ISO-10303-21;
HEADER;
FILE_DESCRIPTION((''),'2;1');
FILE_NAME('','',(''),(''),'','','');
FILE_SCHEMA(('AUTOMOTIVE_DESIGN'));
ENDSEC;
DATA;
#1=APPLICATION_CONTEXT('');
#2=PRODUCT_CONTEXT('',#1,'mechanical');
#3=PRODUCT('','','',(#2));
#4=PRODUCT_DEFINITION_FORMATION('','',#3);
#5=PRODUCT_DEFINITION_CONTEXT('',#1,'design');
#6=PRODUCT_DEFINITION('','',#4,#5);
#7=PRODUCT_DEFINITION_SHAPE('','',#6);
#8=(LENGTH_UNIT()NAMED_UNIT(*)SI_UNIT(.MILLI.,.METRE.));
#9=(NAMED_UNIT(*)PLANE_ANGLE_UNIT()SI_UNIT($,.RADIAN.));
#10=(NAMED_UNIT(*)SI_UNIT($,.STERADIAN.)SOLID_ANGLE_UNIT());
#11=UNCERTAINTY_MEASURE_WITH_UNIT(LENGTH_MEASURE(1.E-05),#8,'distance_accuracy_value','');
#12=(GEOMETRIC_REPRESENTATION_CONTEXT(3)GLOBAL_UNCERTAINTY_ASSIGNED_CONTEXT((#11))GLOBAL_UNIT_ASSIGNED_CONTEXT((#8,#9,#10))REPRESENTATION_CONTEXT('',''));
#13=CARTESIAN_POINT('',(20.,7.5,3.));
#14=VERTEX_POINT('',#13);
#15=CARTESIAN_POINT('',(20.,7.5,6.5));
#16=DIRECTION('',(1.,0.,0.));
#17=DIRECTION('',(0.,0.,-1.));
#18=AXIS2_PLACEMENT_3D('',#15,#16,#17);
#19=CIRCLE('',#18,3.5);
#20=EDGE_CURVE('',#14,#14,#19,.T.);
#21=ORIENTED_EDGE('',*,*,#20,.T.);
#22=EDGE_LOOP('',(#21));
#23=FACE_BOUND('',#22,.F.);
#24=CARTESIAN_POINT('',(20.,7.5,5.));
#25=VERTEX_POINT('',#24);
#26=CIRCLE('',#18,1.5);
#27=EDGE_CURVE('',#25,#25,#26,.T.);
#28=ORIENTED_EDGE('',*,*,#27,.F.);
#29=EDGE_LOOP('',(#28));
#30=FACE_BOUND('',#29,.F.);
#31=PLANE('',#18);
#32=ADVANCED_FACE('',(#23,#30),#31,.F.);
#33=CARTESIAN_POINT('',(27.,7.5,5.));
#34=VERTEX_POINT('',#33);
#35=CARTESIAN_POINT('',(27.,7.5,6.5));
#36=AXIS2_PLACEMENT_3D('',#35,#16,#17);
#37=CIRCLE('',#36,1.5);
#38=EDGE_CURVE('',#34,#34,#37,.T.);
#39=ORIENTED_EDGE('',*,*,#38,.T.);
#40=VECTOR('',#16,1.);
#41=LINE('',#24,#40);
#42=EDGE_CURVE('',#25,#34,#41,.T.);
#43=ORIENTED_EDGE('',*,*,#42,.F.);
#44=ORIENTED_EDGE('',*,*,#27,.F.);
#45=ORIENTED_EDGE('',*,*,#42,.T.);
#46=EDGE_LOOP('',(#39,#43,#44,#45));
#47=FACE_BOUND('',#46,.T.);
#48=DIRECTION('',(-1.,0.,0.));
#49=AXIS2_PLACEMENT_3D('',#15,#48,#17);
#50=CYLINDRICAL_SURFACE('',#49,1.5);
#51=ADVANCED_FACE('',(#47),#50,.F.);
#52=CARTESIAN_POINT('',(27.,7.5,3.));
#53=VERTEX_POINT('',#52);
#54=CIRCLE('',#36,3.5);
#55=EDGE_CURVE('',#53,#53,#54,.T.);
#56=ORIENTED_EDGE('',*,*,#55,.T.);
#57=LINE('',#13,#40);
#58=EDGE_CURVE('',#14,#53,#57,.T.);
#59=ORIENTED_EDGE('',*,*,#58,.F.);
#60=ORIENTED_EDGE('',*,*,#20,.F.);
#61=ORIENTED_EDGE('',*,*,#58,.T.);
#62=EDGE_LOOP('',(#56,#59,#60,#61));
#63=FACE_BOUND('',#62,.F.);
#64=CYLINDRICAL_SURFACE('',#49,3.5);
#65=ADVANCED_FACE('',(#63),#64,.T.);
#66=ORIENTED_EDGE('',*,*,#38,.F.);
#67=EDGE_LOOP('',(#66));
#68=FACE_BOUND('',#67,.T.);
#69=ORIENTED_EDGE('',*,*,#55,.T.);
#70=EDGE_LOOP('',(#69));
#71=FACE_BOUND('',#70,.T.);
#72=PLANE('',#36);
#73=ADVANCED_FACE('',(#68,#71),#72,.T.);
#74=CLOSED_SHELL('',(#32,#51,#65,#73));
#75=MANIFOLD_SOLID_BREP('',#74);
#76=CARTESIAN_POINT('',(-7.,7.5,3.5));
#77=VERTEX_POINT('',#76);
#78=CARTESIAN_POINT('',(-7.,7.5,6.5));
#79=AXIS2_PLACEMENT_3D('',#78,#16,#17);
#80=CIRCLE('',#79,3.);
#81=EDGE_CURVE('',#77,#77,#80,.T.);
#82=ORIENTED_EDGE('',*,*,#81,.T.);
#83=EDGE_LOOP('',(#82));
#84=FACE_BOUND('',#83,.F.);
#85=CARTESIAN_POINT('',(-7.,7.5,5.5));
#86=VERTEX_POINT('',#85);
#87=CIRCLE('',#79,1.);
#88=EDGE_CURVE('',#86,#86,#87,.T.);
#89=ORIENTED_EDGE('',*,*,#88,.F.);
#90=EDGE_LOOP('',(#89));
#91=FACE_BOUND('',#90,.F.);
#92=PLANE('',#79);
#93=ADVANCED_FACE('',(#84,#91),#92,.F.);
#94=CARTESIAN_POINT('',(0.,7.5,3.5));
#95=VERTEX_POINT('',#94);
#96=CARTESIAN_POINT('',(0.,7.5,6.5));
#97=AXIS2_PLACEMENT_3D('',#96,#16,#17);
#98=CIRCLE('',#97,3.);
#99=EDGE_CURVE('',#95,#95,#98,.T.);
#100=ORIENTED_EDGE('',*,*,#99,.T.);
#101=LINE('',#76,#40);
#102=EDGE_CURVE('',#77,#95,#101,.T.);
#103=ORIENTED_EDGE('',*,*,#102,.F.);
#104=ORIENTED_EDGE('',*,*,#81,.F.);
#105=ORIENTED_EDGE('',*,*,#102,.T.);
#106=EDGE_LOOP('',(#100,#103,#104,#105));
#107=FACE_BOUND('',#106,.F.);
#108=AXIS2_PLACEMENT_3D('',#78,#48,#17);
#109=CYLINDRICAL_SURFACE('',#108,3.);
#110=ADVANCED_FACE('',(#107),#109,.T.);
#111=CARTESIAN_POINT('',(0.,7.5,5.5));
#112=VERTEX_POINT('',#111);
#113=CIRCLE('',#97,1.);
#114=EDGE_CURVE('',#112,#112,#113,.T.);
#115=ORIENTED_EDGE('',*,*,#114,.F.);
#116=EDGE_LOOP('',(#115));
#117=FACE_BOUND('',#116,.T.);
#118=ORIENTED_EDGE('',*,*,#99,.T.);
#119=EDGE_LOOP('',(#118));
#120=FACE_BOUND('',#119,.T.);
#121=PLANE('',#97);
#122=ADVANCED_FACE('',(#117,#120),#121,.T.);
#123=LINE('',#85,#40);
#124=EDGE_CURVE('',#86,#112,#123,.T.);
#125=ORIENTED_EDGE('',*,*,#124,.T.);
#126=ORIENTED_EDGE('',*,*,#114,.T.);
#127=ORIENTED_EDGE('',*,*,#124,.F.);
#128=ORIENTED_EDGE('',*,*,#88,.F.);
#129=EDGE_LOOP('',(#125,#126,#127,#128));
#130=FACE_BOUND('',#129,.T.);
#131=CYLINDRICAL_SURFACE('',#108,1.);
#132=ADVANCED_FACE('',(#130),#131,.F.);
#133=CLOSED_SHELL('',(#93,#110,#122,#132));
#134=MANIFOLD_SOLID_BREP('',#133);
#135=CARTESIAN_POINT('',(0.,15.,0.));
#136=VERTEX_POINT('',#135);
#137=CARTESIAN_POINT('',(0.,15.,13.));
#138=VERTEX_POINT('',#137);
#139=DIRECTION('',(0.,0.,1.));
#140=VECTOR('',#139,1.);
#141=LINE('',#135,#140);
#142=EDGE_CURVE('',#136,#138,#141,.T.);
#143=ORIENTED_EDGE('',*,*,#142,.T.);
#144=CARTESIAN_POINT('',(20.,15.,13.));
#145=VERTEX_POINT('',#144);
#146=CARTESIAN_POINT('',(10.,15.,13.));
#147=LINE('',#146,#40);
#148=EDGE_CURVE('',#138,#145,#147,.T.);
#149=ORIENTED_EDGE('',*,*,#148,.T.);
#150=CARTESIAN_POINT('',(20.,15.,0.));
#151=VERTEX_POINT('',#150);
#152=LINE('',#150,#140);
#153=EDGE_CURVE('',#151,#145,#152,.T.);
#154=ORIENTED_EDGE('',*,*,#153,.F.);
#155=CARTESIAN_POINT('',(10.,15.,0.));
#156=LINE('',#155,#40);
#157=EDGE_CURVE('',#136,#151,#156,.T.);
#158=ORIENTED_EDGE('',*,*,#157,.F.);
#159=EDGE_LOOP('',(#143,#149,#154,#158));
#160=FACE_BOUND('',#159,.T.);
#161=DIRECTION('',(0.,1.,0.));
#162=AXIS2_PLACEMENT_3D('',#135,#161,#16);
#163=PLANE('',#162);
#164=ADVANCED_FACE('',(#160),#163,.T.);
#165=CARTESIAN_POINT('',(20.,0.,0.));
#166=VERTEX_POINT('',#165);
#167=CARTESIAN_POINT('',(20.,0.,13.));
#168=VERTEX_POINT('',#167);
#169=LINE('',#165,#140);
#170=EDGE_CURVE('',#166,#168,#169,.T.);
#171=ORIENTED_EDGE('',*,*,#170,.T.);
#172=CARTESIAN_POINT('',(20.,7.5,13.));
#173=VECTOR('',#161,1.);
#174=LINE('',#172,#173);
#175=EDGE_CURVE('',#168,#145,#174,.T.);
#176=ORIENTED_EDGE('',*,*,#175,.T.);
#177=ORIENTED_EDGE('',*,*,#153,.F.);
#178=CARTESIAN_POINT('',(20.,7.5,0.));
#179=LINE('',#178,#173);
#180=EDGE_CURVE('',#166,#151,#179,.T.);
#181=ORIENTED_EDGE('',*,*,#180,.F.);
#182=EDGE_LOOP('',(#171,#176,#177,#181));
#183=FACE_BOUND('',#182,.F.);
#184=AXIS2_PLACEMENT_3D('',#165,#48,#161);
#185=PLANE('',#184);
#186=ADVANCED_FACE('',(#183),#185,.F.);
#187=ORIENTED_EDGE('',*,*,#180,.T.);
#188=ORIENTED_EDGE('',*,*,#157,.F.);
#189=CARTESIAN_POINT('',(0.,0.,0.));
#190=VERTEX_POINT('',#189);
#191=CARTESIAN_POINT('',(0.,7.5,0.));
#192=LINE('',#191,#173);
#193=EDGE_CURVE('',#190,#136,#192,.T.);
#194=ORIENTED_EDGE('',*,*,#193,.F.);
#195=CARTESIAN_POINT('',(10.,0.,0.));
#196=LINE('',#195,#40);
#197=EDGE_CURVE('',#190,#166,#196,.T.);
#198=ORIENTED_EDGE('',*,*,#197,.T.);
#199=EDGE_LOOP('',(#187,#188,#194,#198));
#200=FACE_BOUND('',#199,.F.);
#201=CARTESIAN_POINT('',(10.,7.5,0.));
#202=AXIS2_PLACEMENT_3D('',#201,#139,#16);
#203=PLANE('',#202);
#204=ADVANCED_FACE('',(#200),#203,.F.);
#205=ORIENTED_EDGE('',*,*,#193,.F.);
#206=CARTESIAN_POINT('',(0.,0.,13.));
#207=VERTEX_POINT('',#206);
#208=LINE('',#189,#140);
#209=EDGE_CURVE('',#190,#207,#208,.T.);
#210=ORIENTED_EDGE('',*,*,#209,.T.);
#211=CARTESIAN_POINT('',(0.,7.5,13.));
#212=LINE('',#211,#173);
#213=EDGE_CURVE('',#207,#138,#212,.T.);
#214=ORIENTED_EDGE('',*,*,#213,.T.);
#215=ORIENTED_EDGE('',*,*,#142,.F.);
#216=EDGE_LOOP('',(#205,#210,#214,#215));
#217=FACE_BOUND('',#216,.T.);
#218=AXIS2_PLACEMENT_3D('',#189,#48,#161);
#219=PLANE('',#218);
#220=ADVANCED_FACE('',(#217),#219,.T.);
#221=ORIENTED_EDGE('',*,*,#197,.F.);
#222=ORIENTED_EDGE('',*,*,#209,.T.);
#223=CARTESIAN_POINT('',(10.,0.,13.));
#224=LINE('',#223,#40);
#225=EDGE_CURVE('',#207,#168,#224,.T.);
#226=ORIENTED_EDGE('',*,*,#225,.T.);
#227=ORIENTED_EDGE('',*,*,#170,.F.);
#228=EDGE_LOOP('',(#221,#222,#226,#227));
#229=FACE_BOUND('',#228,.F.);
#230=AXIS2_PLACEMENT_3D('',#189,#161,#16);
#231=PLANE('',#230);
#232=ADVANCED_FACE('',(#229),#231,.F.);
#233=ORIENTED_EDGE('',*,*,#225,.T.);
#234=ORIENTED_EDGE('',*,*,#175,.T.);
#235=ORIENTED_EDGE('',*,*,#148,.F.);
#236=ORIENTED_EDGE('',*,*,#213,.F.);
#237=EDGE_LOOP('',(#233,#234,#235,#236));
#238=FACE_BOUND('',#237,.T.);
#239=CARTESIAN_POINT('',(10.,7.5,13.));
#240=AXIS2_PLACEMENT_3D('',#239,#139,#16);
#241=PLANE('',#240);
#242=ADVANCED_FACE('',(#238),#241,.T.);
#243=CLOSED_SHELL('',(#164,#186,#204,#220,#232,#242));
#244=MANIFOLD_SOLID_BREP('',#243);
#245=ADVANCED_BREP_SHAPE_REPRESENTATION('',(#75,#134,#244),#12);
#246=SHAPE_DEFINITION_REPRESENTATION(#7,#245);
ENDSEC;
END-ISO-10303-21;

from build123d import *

# Parameters (mm, degrees)
BOX_W         = 20
BOX_H         = 15
BOX_DEPTH     = 13
TUBE_R        = 3
TUBE_R_2      = 1
TUBE_DEPTH    = 7
TUBE001_R     = 3.5
TUBE001_R_2   = 1.5
TUBE001_DEPTH = 7


with BuildPart() as cube:
    # Box → Box (new body)
    with BuildSketch(Plane.XY):
        with Locations((10, 7.5)):
            Rectangle(BOX_W, BOX_H)
    extrude(amount=BOX_DEPTH)


with BuildPart() as tube:
    # Tube → Tube (new body)
    with BuildSketch(Plane(origin=(-7, 7.5, 6.5), x_dir=(0, 0, -1), z_dir=(1, 0, 0))):
        Circle(TUBE_R)
        Circle(TUBE_R_2, mode=Mode.SUBTRACT)
    extrude(amount=TUBE_DEPTH)


with BuildPart() as tube001:
    # Tube001 → Tube001 (new body)
    with BuildSketch(Plane(origin=(20, 7.5, 6.5), x_dir=(0, 0, -1), z_dir=(1, 0, 0))):
        Circle(TUBE001_R)
        Circle(TUBE001_R_2, mode=Mode.SUBTRACT)
    extrude(amount=TUBE001_DEPTH)


solid = Compound([cube.part, tube.part, tube001.part])
